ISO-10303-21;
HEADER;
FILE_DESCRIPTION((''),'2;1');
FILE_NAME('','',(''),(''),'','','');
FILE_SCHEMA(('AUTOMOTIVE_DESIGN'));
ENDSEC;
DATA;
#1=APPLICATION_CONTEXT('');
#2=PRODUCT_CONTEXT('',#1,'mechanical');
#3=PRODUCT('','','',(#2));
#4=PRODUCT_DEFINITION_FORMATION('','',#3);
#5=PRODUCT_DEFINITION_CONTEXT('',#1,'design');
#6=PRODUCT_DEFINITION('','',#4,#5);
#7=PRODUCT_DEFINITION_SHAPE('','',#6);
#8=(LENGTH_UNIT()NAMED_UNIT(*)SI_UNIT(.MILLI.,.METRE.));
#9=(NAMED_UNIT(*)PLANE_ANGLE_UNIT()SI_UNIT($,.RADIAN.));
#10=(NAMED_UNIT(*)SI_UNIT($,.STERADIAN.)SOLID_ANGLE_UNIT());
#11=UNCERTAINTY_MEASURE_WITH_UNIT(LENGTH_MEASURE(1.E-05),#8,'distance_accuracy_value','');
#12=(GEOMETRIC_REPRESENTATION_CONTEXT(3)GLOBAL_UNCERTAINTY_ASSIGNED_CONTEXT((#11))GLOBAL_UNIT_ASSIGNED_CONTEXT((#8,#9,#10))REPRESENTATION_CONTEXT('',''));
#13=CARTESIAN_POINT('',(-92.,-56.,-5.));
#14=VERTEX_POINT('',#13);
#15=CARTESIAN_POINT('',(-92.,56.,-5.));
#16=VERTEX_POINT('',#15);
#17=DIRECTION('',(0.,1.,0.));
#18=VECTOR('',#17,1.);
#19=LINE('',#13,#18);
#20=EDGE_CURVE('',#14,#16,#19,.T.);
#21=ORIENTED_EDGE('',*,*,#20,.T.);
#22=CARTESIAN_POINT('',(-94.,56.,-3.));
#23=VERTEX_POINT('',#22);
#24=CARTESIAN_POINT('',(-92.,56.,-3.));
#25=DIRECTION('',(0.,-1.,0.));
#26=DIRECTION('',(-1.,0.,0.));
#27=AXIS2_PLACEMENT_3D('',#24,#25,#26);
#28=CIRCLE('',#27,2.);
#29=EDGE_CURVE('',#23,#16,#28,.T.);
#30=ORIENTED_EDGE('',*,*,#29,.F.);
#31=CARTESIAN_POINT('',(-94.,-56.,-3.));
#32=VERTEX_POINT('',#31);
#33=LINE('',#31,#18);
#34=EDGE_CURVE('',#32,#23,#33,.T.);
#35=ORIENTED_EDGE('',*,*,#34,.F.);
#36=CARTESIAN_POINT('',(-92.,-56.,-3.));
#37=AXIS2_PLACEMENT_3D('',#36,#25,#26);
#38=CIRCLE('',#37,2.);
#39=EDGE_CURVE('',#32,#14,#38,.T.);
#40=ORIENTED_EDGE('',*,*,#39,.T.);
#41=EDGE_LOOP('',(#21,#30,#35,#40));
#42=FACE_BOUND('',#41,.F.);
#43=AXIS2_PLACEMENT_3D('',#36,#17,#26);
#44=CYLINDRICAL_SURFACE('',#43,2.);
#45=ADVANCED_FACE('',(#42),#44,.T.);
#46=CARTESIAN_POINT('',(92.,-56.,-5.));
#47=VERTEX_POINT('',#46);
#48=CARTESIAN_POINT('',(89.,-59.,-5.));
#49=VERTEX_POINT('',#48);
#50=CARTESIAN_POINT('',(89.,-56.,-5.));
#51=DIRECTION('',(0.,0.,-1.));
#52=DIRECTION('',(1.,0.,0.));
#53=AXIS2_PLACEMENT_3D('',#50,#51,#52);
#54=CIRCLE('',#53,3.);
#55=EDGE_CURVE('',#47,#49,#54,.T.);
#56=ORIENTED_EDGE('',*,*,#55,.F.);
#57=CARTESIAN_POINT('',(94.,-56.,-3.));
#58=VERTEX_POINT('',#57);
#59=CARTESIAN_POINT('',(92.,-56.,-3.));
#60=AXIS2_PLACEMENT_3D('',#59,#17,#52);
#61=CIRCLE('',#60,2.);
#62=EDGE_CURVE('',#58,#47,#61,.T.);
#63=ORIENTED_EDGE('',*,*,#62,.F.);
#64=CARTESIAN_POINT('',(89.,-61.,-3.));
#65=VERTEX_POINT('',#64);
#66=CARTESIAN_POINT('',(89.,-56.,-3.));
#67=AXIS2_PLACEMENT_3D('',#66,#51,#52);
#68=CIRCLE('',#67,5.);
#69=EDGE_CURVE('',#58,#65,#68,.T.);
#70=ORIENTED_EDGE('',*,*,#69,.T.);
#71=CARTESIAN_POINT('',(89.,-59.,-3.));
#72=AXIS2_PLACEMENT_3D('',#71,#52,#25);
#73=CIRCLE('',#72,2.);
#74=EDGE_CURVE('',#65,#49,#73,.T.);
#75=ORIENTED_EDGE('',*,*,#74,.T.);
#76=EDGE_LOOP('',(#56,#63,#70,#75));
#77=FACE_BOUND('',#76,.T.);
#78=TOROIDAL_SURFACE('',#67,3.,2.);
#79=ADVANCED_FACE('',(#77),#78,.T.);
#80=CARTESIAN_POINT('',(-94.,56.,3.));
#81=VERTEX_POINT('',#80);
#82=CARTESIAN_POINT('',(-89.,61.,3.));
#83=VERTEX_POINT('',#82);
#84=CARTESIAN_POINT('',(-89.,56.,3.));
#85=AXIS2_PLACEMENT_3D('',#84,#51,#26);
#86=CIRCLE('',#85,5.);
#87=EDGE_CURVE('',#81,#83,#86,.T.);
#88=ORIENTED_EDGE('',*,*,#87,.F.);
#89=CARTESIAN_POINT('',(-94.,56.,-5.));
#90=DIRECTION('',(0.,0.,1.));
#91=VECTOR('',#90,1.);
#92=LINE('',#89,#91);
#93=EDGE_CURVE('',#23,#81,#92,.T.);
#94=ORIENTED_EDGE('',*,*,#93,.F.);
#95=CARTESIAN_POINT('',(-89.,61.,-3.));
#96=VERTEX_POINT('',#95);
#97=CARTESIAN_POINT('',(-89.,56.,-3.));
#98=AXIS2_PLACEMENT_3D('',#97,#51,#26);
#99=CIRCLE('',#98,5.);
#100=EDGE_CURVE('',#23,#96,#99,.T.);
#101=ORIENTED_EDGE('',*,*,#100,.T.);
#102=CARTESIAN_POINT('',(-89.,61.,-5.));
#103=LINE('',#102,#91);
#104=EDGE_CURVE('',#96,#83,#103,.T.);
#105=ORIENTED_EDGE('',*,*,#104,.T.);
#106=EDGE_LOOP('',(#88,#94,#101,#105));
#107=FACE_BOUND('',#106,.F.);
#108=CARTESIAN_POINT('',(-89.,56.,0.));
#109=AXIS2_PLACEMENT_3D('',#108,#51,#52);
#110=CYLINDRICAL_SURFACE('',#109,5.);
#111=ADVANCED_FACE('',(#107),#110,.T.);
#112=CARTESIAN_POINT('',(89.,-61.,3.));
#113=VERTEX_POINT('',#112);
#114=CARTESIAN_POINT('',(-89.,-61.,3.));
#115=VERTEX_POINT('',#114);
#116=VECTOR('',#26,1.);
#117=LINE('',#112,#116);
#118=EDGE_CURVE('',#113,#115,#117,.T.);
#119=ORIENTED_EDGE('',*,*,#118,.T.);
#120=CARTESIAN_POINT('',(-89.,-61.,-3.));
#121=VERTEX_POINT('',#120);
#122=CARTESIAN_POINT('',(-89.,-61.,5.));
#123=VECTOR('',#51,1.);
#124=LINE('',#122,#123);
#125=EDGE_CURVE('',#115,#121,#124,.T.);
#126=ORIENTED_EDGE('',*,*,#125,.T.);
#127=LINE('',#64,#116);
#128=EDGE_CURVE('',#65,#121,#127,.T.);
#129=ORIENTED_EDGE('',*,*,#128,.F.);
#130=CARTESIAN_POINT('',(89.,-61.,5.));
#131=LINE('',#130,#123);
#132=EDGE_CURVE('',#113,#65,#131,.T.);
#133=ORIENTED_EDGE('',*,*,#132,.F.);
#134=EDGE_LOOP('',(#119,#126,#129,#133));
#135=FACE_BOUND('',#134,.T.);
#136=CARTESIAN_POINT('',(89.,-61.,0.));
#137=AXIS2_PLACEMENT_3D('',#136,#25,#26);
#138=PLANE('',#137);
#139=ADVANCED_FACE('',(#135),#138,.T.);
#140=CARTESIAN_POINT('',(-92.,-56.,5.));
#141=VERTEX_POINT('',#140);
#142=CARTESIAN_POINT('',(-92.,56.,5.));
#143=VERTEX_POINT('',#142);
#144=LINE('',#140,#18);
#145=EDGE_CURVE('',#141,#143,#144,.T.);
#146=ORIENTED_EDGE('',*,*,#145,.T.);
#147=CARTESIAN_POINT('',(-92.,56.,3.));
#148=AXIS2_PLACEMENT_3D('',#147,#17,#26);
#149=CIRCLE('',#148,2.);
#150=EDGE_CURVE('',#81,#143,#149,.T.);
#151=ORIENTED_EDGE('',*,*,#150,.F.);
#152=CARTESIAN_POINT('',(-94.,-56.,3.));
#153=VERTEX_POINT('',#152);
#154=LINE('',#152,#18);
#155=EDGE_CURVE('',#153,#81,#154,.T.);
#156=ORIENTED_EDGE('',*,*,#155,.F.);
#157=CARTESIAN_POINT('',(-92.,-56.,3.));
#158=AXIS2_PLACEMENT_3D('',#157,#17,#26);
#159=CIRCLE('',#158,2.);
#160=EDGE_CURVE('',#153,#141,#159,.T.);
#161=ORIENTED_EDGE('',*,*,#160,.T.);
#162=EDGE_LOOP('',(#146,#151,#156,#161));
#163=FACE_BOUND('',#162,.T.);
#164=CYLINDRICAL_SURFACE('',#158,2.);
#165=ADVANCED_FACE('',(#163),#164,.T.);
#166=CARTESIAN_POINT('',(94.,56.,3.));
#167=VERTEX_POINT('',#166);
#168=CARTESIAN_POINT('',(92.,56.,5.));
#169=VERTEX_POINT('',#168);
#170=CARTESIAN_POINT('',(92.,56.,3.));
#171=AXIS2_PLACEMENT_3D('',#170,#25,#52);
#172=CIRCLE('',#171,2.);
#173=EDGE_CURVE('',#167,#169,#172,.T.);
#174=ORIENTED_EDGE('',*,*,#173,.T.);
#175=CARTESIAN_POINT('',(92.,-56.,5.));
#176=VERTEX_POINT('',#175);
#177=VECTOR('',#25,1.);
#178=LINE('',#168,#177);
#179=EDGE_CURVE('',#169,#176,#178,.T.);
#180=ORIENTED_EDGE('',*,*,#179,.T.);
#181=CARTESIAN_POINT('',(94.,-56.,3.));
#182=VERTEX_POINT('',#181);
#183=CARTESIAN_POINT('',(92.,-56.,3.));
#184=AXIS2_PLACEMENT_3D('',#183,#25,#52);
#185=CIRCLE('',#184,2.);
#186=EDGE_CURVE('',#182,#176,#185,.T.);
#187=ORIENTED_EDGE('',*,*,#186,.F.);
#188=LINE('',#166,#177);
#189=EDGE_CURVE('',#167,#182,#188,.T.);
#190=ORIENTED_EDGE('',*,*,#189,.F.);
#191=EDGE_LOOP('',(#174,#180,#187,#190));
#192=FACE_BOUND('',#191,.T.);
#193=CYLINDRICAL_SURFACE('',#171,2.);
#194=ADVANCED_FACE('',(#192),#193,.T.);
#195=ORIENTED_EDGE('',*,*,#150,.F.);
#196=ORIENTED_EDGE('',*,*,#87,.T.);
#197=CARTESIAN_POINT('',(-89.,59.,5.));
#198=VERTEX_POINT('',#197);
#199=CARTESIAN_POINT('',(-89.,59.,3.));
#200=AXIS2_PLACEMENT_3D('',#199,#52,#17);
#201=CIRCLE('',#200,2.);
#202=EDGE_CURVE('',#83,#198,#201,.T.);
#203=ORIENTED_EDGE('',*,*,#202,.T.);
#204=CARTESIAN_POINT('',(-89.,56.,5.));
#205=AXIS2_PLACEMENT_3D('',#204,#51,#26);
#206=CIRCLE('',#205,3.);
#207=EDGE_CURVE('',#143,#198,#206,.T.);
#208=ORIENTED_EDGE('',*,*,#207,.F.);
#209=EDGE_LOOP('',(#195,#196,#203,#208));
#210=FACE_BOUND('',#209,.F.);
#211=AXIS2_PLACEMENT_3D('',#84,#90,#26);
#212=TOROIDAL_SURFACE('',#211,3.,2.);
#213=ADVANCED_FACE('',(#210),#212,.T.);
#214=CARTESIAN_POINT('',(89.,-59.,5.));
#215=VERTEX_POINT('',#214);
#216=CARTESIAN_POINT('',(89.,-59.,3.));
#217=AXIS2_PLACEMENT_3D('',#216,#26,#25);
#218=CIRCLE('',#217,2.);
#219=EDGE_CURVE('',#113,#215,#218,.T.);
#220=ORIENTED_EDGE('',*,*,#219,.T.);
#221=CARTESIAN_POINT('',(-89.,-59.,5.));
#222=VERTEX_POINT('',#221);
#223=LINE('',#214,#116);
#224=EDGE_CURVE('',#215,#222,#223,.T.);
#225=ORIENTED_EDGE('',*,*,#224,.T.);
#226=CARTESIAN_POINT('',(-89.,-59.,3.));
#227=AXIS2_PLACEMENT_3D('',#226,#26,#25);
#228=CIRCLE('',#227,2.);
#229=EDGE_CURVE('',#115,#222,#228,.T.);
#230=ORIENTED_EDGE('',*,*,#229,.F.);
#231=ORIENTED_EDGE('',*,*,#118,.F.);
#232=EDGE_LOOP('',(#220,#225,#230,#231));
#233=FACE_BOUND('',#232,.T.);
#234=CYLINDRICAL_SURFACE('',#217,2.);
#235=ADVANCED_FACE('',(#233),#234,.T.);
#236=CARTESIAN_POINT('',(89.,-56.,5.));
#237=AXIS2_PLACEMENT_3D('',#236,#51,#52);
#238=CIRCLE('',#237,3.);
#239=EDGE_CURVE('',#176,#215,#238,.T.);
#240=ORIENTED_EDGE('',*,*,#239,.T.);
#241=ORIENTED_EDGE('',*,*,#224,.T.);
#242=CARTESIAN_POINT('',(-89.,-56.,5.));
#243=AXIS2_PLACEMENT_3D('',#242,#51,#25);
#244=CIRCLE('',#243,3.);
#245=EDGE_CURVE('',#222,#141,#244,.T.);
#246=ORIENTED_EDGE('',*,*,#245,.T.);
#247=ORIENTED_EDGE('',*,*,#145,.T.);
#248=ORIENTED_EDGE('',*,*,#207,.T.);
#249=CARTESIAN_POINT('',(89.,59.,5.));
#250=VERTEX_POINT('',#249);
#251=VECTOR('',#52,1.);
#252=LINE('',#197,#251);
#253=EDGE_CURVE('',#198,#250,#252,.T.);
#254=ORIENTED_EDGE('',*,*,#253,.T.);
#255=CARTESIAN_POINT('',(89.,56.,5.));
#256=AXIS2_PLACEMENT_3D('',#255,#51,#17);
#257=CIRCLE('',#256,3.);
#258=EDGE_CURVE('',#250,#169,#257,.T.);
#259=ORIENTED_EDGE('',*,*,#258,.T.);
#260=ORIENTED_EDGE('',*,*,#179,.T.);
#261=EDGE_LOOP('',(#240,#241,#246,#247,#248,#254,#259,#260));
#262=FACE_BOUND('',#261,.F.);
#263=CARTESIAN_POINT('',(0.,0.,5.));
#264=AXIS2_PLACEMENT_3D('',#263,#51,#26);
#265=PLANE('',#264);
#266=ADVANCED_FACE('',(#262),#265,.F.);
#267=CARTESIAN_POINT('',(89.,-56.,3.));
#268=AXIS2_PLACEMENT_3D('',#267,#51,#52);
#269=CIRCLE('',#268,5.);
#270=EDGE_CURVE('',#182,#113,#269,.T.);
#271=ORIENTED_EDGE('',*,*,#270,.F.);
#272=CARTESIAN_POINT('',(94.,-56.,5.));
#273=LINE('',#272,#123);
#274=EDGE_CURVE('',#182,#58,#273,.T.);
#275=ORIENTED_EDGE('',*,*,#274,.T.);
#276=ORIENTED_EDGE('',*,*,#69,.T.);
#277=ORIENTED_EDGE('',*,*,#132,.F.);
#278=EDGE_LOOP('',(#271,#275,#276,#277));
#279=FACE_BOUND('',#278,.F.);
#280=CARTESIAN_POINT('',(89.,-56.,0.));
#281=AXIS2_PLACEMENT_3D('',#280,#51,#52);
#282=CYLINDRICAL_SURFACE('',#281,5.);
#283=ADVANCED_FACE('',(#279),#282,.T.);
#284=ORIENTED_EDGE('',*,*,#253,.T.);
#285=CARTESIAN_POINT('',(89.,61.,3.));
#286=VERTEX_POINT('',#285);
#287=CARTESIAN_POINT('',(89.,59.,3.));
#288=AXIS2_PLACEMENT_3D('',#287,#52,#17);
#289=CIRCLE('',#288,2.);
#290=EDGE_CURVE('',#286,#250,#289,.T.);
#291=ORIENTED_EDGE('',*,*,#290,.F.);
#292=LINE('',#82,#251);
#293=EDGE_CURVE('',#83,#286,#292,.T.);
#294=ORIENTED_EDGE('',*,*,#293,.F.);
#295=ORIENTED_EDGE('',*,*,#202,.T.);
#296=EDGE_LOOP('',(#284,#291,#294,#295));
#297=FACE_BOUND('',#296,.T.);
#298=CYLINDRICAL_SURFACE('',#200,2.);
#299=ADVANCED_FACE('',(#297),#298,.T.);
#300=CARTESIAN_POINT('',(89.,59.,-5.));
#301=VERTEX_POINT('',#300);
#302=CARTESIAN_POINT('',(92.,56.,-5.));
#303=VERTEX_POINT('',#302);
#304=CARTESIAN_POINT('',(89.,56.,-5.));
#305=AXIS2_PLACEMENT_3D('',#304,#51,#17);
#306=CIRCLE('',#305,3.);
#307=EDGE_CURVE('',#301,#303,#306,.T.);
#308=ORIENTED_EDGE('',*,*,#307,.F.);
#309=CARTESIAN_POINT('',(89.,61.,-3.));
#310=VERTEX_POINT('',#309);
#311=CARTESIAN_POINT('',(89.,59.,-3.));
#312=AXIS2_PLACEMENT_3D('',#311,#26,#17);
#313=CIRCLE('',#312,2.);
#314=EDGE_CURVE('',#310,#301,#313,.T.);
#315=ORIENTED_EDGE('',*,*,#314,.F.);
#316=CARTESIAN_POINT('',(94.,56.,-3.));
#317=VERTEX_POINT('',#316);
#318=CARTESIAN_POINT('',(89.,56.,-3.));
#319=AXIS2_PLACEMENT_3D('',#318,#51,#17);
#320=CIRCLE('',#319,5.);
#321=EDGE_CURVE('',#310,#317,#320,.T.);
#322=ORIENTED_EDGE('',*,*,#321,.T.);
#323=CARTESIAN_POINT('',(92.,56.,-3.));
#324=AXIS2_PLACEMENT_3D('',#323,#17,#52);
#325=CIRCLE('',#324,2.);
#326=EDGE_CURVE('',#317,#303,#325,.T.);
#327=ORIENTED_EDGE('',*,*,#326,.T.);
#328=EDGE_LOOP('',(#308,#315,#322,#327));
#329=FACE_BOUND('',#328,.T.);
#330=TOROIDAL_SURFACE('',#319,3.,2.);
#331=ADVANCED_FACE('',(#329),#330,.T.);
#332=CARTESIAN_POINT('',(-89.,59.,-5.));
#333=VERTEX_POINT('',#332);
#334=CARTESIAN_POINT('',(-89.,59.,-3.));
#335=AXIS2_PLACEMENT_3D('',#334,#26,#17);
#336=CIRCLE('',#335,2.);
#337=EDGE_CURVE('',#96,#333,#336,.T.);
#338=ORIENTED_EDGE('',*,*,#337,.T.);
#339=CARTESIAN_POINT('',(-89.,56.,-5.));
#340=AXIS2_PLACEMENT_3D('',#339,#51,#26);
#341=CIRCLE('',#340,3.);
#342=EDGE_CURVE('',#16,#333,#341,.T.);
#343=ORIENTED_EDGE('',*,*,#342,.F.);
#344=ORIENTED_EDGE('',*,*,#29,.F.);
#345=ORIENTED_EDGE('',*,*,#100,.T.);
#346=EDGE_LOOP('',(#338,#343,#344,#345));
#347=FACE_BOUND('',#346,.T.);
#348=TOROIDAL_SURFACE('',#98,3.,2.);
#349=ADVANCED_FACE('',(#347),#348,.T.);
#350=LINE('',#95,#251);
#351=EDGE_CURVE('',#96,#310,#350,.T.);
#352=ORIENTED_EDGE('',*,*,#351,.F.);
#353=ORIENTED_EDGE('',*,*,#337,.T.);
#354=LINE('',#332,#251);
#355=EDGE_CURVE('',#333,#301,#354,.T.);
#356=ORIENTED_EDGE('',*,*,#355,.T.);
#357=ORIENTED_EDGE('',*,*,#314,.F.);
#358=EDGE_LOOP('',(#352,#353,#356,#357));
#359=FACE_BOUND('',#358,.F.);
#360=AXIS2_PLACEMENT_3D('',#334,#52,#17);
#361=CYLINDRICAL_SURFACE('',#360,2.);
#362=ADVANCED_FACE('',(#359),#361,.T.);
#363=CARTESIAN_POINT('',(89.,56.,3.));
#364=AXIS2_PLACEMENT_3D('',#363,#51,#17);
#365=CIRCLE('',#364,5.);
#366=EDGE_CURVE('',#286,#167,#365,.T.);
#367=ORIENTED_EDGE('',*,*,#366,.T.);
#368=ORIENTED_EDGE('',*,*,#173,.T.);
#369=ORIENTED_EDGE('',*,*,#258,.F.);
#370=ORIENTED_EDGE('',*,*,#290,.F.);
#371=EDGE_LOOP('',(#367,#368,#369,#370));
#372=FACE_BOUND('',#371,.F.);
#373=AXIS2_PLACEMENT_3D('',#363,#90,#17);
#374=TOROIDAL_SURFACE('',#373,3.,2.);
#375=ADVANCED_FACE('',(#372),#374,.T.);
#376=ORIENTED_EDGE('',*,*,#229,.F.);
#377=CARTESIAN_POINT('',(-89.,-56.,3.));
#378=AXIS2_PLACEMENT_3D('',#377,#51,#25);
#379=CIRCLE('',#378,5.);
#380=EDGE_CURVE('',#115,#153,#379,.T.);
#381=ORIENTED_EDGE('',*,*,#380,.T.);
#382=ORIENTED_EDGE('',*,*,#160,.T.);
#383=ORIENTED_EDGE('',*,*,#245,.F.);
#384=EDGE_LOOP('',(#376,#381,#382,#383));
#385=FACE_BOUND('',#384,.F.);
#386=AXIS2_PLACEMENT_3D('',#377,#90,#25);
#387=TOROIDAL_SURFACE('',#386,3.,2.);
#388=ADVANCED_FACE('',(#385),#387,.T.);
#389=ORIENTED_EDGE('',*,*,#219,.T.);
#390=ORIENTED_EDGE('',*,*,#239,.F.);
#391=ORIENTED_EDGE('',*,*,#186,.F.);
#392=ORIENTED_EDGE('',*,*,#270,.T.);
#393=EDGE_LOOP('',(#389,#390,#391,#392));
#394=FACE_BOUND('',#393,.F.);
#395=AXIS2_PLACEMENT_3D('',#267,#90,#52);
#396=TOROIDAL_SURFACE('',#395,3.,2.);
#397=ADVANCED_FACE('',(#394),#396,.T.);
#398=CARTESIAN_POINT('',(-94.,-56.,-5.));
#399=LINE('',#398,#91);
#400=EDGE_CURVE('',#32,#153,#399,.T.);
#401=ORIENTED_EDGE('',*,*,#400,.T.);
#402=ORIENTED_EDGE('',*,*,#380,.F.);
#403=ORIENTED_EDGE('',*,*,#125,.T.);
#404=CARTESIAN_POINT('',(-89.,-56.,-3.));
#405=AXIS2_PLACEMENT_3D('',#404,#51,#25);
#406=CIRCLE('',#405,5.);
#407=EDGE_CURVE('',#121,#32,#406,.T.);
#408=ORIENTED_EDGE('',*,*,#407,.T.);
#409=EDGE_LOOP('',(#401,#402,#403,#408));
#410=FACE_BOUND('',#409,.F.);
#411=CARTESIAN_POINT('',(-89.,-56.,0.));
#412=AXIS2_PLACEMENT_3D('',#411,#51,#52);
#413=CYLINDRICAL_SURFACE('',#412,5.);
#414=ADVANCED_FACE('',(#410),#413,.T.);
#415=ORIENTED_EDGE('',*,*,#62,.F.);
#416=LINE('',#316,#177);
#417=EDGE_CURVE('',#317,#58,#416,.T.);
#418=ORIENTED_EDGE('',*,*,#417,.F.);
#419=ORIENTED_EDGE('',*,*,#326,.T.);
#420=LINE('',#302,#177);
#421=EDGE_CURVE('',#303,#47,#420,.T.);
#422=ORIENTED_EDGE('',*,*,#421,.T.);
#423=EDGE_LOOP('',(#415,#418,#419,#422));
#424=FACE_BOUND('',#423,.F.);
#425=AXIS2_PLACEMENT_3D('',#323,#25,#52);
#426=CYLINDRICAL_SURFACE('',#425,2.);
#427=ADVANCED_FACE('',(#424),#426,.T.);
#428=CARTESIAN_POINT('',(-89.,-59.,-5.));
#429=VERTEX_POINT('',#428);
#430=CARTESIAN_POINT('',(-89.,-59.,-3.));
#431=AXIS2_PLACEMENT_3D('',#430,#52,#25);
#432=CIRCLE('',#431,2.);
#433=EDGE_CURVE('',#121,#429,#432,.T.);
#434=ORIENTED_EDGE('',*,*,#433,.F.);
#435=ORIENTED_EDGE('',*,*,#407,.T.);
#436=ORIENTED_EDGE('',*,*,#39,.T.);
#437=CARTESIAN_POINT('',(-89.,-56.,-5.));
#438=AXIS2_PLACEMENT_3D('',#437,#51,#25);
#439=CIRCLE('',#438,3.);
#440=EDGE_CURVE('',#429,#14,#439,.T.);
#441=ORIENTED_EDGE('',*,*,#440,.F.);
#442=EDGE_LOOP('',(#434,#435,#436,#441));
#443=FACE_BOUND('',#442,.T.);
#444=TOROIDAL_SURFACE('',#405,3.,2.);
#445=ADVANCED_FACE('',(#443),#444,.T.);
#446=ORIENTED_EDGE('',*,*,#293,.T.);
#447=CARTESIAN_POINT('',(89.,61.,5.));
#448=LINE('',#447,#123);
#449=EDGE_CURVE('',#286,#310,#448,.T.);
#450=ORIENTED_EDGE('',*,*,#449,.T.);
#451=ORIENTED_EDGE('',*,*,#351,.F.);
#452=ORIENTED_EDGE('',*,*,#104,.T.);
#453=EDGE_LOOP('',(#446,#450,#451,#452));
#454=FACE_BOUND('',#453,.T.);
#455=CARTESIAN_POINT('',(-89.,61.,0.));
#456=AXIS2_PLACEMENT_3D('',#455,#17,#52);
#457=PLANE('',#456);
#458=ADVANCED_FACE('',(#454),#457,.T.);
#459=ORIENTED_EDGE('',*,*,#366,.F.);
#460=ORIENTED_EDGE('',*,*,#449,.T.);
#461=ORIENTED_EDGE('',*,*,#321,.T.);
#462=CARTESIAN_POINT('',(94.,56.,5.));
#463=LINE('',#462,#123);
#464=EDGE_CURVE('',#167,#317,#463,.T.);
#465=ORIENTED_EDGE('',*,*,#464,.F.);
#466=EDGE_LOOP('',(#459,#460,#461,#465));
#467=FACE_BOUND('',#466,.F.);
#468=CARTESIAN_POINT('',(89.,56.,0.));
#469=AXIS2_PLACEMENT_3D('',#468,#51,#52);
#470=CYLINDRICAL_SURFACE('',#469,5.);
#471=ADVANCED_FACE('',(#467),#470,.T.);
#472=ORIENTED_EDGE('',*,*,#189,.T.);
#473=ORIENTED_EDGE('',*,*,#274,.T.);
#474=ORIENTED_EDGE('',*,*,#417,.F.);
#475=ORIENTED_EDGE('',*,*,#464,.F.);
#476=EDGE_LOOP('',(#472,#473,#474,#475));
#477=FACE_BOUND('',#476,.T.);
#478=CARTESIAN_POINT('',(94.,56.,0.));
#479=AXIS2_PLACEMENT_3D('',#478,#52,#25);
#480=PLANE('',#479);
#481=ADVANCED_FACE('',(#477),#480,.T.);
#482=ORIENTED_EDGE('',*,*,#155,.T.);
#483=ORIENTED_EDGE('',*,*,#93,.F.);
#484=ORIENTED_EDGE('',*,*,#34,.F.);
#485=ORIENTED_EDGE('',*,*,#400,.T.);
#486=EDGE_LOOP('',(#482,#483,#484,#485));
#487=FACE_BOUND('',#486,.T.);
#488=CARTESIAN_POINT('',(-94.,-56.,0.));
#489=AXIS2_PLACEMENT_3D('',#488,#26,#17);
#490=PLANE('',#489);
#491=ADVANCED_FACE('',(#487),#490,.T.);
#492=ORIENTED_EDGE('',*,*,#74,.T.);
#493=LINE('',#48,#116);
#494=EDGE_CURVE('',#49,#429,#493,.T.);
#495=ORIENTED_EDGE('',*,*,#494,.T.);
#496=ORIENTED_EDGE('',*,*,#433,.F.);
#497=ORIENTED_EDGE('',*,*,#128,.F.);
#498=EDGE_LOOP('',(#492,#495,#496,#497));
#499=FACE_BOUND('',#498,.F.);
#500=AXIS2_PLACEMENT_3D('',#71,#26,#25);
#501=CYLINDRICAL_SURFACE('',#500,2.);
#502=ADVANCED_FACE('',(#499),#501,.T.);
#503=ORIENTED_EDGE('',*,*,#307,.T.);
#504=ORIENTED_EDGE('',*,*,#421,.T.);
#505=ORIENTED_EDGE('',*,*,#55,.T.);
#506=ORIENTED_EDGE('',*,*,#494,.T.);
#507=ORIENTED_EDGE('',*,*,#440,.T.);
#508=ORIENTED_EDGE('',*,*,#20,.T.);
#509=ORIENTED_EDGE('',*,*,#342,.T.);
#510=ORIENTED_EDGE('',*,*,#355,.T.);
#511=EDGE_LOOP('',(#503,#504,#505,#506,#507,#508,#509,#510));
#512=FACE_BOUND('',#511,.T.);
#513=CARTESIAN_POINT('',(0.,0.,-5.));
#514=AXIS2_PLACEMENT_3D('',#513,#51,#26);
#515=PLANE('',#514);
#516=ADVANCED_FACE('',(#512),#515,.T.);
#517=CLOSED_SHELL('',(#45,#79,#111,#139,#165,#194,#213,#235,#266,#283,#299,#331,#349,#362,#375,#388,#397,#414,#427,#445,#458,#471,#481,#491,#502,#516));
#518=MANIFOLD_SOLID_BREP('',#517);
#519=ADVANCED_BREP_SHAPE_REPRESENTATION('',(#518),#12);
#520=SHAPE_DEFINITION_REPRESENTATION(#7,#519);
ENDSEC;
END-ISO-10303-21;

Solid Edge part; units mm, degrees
sketch "Sketch1" plane through (0, 0, 0) normal (0, 0, 1) x (1, 0, 0)
  line L0 (-89, 61) -> (89, 61)
  arc A0 (94, 56) -> (89, 61) centre (89, 56) ccw
  line L1 (94, 56) -> (94, -56)
  arc A1 (89, -61) -> (94, -56) centre (89, -56) ccw
  line L2 (89, -61) -> (-89, -61)
  arc A2 (-94, -56) -> (-89, -61) centre (-89, -56) ccw
  line L3 (-94, -56) -> (-94, 56)
  arc A3 (-89, 61) -> (-94, 56) centre (-89, 56) ccw
extrude "Protrusion1" add sketch "Sketch1" along normal mid plane 10
fillet "Round_1" radius 2 16 edges at (0, 61, 5) (92.5355, 59.5355, 5) (94, 0, 5) (92.5355, -59.5355, 5) (0, -61, 5) (-92.5355, -59.5355, 5) (-94, 0, 5) (-92.5355, 59.5355, 5) (94, 0, -5) (92.5355, -59.5355, -5) (0, -61, -5) (-92.5355, -59.5355, -5) (-94, 0, -5) (-92.5355, 59.5355, -5) (0, 61, -5) (92.5355, 59.5355, -5)
